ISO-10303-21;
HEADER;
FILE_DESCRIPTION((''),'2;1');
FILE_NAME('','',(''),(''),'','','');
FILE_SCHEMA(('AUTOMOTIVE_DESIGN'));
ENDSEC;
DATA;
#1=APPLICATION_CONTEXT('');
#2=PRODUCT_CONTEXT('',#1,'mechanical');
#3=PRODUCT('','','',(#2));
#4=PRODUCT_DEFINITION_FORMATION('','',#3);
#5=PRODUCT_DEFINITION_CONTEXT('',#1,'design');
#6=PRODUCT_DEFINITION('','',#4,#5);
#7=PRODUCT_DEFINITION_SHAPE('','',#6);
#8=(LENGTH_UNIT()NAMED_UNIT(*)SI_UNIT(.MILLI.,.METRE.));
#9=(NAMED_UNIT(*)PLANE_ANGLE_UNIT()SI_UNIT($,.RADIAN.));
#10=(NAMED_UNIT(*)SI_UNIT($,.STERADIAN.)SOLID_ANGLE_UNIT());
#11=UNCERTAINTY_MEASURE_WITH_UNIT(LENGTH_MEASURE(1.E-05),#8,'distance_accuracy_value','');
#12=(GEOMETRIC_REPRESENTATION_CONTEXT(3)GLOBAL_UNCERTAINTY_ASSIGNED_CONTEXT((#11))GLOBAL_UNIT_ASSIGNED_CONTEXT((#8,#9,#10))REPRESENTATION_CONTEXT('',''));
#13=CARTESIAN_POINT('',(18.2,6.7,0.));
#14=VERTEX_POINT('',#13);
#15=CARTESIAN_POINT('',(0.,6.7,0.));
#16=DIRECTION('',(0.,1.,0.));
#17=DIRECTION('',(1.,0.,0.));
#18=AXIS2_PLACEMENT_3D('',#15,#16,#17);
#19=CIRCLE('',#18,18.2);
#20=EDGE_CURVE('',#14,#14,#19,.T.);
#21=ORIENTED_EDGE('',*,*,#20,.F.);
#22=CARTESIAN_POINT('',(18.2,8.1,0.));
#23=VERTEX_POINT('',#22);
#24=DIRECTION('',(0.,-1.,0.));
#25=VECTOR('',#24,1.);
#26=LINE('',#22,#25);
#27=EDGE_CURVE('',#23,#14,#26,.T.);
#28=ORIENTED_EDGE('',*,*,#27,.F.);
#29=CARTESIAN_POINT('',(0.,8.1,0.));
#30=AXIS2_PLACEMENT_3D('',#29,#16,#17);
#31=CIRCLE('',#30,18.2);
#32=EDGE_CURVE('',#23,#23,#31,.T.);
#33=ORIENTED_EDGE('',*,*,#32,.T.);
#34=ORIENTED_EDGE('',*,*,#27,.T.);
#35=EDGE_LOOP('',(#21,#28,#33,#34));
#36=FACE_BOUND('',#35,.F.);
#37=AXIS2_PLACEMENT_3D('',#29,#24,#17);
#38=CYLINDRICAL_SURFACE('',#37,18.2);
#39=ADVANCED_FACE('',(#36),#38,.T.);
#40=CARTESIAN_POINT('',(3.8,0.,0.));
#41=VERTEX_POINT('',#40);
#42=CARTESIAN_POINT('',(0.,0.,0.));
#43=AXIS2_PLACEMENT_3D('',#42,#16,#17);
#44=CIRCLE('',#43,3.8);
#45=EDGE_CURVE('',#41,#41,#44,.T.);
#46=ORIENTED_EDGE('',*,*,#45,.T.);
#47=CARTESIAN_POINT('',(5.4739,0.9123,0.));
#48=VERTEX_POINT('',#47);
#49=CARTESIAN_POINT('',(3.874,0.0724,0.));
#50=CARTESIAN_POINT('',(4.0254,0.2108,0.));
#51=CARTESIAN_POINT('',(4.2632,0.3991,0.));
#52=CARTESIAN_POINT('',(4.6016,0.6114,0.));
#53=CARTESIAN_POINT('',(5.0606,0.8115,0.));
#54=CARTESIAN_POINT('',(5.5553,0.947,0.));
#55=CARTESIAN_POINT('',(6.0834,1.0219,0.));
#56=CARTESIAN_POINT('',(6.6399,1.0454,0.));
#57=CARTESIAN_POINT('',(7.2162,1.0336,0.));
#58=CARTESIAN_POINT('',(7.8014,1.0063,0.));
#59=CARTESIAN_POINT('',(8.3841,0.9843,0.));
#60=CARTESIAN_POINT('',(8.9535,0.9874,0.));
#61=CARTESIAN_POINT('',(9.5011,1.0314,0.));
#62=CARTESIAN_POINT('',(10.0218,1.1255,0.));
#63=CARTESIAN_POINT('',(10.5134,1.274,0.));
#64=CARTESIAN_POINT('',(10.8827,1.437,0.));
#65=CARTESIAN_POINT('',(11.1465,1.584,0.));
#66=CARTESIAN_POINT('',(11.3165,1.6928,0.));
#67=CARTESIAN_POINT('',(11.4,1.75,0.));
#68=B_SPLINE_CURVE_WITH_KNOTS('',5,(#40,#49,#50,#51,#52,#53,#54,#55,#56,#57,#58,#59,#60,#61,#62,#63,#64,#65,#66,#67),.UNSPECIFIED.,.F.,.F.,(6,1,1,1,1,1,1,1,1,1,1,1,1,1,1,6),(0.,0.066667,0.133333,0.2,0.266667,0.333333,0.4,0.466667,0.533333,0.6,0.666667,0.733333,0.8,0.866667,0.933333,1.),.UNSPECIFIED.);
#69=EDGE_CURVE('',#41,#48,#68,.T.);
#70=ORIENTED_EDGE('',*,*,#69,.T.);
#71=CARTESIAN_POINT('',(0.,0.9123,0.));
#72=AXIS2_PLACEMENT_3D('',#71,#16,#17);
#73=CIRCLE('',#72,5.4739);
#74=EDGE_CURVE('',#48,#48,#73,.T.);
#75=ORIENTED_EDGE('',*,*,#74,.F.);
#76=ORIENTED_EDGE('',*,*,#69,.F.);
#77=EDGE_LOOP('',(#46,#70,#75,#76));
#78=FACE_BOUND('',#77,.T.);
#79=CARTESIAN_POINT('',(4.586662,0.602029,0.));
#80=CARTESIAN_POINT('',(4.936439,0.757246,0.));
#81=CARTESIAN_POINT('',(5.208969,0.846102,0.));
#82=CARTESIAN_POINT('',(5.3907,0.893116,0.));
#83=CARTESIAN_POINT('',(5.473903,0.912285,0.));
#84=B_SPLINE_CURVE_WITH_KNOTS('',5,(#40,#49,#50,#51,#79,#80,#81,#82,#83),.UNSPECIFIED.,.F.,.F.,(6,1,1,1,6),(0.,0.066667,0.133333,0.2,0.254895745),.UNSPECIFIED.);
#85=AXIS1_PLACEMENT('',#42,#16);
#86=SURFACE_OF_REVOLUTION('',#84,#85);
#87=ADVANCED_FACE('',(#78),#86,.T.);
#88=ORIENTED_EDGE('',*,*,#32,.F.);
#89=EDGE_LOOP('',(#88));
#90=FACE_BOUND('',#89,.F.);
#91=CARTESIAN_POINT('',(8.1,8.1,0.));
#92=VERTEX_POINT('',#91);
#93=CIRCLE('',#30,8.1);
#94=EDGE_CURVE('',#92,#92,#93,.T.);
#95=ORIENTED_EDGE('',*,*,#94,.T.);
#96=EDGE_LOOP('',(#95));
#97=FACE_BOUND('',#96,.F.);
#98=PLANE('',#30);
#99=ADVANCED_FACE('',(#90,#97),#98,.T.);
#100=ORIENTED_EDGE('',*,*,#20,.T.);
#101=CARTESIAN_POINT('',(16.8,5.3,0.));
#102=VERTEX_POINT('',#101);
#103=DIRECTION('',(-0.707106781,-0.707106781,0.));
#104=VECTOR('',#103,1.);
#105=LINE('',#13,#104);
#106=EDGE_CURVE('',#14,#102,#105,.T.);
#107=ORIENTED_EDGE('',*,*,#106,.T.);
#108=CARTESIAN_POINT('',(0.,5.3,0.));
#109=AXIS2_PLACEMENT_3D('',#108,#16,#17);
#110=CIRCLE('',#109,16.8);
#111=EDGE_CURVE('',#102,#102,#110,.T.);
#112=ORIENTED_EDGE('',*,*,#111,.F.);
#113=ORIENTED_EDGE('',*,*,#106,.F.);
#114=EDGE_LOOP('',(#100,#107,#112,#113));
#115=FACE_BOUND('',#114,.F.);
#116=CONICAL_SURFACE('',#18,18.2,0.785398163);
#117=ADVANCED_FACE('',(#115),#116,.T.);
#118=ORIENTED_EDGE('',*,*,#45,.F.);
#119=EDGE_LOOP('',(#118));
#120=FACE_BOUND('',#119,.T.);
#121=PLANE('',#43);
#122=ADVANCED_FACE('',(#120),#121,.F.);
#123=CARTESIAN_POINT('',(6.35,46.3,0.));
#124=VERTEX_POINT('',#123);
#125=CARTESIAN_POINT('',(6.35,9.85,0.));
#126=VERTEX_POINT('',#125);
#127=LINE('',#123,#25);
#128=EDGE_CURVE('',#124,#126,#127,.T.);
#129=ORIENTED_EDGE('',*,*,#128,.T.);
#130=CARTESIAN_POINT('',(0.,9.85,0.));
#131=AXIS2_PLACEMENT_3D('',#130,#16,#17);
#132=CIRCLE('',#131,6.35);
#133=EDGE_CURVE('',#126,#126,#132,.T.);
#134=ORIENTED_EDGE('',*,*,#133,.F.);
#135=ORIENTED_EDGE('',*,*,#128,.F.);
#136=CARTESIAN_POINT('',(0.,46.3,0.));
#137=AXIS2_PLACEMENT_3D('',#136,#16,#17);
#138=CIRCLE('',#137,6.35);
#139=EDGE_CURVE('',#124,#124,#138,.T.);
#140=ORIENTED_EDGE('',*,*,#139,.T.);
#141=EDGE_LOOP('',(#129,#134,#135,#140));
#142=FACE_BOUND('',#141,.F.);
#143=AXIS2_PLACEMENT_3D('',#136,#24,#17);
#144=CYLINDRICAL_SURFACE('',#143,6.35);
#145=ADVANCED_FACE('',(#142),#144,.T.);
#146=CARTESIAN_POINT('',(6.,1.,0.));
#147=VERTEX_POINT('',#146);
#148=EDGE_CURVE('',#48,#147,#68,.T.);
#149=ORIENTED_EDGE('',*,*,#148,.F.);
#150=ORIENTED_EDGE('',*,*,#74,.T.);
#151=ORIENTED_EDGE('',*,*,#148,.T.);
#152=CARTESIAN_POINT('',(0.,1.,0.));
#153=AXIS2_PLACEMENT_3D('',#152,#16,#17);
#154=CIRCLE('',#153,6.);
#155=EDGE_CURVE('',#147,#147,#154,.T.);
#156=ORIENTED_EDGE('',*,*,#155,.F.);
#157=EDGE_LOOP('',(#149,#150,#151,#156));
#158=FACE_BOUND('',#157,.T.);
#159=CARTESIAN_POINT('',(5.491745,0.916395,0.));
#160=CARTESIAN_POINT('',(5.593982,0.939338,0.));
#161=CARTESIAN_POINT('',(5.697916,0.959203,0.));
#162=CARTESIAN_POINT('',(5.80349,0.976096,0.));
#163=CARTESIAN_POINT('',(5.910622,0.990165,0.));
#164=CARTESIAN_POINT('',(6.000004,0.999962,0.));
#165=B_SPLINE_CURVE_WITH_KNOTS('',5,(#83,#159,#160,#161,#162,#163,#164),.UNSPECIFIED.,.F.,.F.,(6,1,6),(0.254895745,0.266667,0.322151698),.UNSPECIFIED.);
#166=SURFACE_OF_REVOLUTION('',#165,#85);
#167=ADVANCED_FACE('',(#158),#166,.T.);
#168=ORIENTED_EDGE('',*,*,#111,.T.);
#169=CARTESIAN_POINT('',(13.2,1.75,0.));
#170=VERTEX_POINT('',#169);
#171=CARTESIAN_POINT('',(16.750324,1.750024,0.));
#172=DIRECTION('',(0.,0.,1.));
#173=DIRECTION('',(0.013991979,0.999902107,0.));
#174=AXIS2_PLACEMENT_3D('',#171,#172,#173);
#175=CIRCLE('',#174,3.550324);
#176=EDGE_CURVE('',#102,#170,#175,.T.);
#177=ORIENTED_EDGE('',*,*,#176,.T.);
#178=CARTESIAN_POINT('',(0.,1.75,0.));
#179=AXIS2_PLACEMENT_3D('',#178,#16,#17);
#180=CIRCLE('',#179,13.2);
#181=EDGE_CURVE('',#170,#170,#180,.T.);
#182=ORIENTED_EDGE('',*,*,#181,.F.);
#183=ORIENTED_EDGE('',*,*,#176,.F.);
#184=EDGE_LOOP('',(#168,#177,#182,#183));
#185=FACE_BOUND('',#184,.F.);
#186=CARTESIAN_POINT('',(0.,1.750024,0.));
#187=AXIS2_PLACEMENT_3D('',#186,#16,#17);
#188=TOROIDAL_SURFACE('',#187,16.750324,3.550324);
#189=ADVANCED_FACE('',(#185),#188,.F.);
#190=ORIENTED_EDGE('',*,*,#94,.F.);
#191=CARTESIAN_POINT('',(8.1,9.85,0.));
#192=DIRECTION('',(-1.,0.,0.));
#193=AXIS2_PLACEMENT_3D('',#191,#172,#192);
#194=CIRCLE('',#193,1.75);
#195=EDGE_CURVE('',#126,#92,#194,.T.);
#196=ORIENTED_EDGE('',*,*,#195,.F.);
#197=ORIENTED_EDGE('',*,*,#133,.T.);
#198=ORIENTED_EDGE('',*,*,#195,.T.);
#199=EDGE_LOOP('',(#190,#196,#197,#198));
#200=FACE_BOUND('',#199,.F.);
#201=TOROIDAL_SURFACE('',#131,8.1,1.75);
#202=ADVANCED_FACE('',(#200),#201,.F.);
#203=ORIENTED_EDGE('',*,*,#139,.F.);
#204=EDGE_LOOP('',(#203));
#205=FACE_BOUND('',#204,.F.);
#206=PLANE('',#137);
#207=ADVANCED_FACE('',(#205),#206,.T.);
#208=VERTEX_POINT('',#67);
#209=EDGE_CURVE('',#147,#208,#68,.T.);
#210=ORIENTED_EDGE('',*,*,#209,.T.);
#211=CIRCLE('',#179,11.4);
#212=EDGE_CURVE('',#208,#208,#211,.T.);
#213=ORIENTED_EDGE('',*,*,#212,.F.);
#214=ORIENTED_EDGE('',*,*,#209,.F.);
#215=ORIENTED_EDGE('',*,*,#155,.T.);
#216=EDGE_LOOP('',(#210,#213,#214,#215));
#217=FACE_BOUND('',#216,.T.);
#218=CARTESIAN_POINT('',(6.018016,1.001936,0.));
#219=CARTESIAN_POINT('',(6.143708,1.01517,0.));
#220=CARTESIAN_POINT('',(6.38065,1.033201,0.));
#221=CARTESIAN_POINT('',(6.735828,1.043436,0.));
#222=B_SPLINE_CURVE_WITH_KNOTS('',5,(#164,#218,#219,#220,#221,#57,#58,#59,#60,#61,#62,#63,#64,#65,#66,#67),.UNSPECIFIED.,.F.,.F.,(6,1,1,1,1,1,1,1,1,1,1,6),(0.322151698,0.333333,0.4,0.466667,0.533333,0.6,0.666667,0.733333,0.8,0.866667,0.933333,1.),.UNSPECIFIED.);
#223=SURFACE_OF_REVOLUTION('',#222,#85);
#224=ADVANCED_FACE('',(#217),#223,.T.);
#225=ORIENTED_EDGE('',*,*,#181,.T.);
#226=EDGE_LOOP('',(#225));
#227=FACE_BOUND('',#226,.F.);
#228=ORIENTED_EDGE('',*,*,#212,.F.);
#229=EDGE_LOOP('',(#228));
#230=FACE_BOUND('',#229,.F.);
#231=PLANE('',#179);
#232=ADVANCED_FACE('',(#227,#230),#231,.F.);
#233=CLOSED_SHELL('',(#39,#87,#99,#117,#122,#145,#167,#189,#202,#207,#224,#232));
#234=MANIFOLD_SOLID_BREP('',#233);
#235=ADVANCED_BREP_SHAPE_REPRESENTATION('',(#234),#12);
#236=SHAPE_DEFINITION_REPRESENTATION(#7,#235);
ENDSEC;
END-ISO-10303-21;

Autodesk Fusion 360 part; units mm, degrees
sketch "Sketch1" plane through (0, 0, 0) normal (0, 0, 1) x (1, 0, 0)
  line L0 (0, 0) -> (0, 46.3)
  line L1 (0, 46.3) -> (6.35, 46.3)
  line L2 (6.35, 46.3) -> (6.35, 9.85)
  line L3 (8.1, 8.1) -> (18.2, 8.1)
  arc A0 (6.35, 9.85) -> (8.1, 8.1) centre (8.1, 9.85) ccw
  line L4 (18.2, 8.1) -> (18.2, 6.7)
  line L5 (18.2, 6.7) -> (16.8, 5.3)
  line L6 (13.2, 0) -> (13.2, 1.75) construction
  line L7 (13.2, 8.1) -> (18.2, 8.1) construction
  arc A1 (16.8, 5.3) -> (13.2, 1.75) centre (16.7503, 1.75) ccw
  line L8 (0, 0) -> (3.8, 0) construction
  line L9 (13.2, 1.75) -> (11.4, 1.75)
  spline S0 degree 5 poles (3.8, 0) (3.874, 0.0724) (4.0254, 0.2108) (4.2632, 0.3991) (4.6016, 0.6114) (5.0606, 0.8115) (5.5553, 0.947) (6.0834, 1.0219) (6.6399, 1.0454) (7.2162, 1.0336) (7.8014, 1.0063) (8.3841, 0.9843) (8.9535, 0.9874) (9.5011, 1.0314) (10.0218, 1.1255) (10.5134, 1.274) (10.8827, 1.437) (11.1465, 1.584) (11.3165, 1.6928) (11.4, 1.75) knots 0 0 0 0 0 0 0.066667 0.133333 0.2 0.266667 0.333333 0.4 0.466667 0.533333 0.6 0.666667 0.733333 0.8 0.866667 0.933333 1 1 1 1 1 1
  line L10 (6, 1) -> (5.4739, 0.9123)
  line L11 (0, 0) -> (3.8, 0)
  point P0 (6.35, 8.1)
  point P1 (9, 1)
  dimension "d1" = 46.3
  dimension "d2" = 6.35
  dimension "d3" = 38.2
  dimension "d11" = 1.75
  dimension "d12" = 1.4
  dimension "d16" = 6.35
  dimension "d17" = 3.8
  dimension "d18" = 1.8
revolve "Revolve1" add sketch "Sketch1" angle 360 about axis through (0, 0, 0) along (0, 1, 0) contours L0 L1 L2 L3 A0 L4 L5 A1 L9 S0 L11
